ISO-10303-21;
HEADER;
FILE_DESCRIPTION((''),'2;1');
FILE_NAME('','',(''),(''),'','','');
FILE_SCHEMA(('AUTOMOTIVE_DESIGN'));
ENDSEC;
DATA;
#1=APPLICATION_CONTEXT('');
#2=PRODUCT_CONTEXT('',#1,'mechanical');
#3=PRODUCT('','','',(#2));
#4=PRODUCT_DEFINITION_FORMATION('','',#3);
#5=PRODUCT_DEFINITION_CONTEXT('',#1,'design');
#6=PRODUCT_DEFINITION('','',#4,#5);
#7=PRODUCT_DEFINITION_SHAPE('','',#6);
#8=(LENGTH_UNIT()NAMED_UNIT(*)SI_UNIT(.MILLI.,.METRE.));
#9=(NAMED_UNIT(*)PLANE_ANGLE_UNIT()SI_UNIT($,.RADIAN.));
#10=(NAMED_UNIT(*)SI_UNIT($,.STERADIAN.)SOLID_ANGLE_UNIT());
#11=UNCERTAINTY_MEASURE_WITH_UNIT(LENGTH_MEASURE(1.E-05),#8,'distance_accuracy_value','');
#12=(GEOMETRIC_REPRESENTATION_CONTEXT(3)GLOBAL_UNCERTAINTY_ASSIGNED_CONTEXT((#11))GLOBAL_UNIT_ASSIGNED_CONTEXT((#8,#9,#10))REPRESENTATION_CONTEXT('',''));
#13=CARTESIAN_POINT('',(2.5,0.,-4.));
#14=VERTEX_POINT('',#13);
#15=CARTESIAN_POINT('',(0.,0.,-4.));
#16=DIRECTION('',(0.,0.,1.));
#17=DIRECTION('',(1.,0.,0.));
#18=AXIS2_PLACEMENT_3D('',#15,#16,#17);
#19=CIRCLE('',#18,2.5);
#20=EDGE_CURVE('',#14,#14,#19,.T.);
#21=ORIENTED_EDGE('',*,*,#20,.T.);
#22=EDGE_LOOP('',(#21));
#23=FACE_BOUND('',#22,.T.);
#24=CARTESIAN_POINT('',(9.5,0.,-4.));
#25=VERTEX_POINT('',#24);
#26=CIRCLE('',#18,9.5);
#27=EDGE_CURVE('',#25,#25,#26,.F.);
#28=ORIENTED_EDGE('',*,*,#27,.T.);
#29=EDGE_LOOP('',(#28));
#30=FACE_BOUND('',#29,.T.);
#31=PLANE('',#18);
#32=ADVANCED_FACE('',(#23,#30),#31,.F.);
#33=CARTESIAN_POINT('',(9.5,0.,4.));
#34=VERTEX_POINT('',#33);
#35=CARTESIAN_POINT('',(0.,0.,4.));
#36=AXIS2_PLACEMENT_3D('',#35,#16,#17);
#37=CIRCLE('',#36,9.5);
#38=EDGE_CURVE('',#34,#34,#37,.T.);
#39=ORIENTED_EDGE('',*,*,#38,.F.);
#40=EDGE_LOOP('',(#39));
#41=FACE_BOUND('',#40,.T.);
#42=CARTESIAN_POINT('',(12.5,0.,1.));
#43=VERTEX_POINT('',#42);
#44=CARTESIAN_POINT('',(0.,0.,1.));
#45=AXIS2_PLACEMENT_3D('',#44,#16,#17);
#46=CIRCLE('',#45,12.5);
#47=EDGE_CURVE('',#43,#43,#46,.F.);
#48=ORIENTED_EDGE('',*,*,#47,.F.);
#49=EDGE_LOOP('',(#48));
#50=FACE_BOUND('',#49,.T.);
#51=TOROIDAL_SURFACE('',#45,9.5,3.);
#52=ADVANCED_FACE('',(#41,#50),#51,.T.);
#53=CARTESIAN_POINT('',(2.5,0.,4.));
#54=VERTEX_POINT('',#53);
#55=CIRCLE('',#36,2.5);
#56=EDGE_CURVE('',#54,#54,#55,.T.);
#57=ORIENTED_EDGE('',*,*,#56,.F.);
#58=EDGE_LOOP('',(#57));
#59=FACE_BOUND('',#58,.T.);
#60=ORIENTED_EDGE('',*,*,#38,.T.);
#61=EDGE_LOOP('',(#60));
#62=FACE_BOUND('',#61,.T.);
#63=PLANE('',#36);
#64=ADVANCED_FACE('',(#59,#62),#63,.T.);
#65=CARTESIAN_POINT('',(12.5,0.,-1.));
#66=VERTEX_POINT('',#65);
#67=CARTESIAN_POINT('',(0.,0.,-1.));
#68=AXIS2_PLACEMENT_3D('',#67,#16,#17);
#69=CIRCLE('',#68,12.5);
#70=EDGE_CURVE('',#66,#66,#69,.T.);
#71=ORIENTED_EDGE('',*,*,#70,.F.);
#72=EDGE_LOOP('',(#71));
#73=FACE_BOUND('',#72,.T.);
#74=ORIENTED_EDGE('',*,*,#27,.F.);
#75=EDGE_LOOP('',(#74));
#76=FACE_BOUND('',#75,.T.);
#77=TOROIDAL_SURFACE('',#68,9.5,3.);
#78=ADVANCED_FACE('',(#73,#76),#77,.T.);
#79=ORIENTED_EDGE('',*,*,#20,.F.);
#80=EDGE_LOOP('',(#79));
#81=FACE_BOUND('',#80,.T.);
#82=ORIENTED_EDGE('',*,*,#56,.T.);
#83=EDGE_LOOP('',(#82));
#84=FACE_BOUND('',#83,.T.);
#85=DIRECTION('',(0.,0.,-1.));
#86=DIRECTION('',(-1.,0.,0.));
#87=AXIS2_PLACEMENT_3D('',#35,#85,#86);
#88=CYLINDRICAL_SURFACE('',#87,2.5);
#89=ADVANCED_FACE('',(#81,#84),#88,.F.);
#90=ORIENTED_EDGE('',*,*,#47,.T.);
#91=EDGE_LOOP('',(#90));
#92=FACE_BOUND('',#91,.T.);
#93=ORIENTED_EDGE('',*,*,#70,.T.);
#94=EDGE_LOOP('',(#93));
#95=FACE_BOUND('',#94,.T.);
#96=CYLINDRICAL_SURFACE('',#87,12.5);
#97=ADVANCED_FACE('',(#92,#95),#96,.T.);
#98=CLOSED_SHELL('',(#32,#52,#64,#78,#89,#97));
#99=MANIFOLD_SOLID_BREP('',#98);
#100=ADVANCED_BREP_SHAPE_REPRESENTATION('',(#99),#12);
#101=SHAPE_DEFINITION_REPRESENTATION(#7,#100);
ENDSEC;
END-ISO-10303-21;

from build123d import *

# Parameters (mm, degrees)
SKETCH1_R           = 12.5
SKETCH1_R_2         = 2.5
BOSS_EXTRUDE1_DEPTH = 4
FILLET1_R           = 3


with BuildPart() as part:
    # Sketch1 → Boss-Extrude1 (new body, symmetric)
    with BuildSketch(Plane.XY):
        Circle(SKETCH1_R)
        Circle(SKETCH1_R_2, mode=Mode.SUBTRACT)
    extrude(amount=BOSS_EXTRUDE1_DEPTH, both=True)

    # Fillet1
    fillet1_edges = [part.edges().sort_by_distance(p)[0] for p in [
        (-12.5, 0, -4),
        (-12.5, 0, 4),
    ]]
    fillet(fillet1_edges, radius=FILLET1_R)


solid = part.part
